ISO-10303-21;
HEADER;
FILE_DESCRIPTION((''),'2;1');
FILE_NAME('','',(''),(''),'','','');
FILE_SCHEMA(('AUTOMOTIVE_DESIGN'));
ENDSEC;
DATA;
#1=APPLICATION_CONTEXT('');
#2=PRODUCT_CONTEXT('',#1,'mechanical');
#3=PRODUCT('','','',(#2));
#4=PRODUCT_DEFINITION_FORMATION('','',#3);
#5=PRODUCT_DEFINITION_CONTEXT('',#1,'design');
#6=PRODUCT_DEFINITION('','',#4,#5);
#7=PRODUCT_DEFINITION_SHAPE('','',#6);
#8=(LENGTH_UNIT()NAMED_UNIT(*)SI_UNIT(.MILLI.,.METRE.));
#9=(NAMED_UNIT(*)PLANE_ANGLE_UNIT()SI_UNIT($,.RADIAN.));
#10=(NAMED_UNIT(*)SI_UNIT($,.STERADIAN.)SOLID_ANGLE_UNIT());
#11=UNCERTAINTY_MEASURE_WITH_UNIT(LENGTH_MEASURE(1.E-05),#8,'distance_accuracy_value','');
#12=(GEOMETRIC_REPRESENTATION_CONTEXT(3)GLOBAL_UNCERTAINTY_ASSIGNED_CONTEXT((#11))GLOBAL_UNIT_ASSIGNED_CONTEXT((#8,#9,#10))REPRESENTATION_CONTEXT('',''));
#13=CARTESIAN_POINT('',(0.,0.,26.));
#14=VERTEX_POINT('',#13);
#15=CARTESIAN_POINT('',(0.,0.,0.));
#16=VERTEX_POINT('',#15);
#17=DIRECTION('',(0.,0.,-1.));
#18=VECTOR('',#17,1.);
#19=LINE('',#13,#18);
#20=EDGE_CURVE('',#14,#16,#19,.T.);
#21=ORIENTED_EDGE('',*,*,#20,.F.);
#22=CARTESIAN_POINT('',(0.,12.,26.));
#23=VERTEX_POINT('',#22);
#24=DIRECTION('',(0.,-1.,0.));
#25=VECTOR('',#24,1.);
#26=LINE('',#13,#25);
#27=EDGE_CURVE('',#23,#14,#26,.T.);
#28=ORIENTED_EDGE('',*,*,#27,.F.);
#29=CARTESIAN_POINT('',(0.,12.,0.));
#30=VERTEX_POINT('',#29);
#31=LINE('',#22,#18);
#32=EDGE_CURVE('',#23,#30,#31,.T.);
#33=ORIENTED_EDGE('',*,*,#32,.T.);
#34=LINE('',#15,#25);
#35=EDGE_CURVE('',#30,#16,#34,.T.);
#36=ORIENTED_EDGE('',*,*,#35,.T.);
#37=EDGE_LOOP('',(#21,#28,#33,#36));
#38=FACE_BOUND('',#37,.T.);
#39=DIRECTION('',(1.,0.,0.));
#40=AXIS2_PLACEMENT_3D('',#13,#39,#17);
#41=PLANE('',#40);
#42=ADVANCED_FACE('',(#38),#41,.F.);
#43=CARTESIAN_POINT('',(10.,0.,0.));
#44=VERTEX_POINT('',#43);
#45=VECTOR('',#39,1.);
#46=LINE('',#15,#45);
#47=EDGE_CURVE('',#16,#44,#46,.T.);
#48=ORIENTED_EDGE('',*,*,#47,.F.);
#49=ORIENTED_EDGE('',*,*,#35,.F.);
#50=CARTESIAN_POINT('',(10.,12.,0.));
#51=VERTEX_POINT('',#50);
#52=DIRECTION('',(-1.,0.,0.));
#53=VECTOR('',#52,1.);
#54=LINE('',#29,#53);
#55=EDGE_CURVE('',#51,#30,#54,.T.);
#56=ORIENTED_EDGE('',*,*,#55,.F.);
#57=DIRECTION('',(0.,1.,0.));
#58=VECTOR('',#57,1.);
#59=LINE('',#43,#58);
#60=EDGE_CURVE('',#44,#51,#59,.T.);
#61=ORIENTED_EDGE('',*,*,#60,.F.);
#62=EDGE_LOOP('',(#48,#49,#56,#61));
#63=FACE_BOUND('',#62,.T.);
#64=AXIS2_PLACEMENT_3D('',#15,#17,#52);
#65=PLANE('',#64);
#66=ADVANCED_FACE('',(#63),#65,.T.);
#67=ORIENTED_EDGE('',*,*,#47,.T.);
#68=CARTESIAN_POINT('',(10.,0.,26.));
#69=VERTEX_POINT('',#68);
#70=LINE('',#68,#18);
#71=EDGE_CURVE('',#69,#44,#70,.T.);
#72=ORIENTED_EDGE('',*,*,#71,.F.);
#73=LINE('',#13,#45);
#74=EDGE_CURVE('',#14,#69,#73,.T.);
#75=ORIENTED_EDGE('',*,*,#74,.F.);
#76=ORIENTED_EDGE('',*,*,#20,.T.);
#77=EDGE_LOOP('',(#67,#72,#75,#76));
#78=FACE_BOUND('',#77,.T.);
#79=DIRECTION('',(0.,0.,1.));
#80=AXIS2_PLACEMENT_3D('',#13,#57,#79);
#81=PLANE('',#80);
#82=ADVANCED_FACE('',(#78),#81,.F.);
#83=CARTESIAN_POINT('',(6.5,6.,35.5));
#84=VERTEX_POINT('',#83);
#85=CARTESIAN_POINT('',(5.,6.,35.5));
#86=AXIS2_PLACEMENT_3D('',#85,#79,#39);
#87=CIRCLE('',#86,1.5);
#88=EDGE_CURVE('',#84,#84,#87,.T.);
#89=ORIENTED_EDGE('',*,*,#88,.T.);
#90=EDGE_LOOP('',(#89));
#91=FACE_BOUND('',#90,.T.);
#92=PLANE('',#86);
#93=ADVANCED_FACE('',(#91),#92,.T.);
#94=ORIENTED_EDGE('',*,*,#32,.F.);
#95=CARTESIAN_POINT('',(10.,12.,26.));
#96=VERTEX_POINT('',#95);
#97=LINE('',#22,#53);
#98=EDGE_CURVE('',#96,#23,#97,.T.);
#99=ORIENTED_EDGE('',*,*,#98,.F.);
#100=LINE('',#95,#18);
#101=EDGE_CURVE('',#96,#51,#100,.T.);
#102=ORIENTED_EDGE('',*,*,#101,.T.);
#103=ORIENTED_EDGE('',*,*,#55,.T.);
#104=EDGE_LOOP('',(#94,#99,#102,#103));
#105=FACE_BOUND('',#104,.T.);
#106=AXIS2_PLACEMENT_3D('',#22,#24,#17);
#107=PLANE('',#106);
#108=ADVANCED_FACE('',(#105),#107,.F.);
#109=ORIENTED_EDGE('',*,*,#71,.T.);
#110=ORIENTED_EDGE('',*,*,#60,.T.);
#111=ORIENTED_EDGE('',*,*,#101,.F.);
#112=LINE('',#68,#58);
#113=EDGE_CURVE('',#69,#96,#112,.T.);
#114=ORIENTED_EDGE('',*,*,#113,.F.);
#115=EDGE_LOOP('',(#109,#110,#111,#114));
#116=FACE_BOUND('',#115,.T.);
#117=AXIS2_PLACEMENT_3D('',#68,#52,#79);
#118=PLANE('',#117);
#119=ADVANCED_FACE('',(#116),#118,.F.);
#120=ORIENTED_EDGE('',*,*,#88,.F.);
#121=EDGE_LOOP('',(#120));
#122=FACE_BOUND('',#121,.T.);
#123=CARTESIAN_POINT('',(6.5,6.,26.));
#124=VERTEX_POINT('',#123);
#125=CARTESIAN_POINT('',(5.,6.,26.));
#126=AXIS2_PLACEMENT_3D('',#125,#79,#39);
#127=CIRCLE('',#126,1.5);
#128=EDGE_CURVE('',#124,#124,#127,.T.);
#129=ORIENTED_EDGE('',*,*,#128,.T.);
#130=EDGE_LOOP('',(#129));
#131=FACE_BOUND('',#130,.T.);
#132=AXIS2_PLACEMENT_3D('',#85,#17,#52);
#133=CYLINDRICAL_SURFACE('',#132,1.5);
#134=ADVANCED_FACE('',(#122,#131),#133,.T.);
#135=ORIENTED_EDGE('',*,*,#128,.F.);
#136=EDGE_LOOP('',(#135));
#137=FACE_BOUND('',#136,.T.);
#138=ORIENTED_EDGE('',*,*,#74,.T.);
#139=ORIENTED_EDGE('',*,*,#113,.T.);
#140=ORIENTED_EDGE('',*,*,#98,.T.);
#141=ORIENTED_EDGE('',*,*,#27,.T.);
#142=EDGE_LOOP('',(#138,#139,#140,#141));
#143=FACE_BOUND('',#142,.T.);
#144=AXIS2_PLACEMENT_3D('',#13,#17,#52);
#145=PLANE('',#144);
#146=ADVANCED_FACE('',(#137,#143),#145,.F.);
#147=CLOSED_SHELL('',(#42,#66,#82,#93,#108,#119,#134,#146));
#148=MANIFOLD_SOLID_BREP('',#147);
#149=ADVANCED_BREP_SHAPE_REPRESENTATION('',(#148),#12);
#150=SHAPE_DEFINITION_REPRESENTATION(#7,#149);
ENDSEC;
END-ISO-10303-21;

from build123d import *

# Parameters (mm, degrees)
SKETCH2_W           = 10
SKETCH2_H           = 12
BOSS_EXTRUDE1_DEPTH = 26
SKETCH3_R           = 1.5
BOSS_EXTRUDE2_DEPTH = 9.5


with BuildPart() as part:
    # Sketch2 → Boss-Extrude1 (new body)
    with BuildSketch(Plane.XY):
        with Locations((5, 6)):
            Rectangle(SKETCH2_W, SKETCH2_H)
    extrude(amount=BOSS_EXTRUDE1_DEPTH)

    # Sketch3 → Boss-Extrude2 (add)
    with BuildSketch(Plane.XY.offset(26)):
        with Locations((5, 6)):
            Circle(SKETCH3_R)
    extrude(amount=BOSS_EXTRUDE2_DEPTH)


solid = part.part
